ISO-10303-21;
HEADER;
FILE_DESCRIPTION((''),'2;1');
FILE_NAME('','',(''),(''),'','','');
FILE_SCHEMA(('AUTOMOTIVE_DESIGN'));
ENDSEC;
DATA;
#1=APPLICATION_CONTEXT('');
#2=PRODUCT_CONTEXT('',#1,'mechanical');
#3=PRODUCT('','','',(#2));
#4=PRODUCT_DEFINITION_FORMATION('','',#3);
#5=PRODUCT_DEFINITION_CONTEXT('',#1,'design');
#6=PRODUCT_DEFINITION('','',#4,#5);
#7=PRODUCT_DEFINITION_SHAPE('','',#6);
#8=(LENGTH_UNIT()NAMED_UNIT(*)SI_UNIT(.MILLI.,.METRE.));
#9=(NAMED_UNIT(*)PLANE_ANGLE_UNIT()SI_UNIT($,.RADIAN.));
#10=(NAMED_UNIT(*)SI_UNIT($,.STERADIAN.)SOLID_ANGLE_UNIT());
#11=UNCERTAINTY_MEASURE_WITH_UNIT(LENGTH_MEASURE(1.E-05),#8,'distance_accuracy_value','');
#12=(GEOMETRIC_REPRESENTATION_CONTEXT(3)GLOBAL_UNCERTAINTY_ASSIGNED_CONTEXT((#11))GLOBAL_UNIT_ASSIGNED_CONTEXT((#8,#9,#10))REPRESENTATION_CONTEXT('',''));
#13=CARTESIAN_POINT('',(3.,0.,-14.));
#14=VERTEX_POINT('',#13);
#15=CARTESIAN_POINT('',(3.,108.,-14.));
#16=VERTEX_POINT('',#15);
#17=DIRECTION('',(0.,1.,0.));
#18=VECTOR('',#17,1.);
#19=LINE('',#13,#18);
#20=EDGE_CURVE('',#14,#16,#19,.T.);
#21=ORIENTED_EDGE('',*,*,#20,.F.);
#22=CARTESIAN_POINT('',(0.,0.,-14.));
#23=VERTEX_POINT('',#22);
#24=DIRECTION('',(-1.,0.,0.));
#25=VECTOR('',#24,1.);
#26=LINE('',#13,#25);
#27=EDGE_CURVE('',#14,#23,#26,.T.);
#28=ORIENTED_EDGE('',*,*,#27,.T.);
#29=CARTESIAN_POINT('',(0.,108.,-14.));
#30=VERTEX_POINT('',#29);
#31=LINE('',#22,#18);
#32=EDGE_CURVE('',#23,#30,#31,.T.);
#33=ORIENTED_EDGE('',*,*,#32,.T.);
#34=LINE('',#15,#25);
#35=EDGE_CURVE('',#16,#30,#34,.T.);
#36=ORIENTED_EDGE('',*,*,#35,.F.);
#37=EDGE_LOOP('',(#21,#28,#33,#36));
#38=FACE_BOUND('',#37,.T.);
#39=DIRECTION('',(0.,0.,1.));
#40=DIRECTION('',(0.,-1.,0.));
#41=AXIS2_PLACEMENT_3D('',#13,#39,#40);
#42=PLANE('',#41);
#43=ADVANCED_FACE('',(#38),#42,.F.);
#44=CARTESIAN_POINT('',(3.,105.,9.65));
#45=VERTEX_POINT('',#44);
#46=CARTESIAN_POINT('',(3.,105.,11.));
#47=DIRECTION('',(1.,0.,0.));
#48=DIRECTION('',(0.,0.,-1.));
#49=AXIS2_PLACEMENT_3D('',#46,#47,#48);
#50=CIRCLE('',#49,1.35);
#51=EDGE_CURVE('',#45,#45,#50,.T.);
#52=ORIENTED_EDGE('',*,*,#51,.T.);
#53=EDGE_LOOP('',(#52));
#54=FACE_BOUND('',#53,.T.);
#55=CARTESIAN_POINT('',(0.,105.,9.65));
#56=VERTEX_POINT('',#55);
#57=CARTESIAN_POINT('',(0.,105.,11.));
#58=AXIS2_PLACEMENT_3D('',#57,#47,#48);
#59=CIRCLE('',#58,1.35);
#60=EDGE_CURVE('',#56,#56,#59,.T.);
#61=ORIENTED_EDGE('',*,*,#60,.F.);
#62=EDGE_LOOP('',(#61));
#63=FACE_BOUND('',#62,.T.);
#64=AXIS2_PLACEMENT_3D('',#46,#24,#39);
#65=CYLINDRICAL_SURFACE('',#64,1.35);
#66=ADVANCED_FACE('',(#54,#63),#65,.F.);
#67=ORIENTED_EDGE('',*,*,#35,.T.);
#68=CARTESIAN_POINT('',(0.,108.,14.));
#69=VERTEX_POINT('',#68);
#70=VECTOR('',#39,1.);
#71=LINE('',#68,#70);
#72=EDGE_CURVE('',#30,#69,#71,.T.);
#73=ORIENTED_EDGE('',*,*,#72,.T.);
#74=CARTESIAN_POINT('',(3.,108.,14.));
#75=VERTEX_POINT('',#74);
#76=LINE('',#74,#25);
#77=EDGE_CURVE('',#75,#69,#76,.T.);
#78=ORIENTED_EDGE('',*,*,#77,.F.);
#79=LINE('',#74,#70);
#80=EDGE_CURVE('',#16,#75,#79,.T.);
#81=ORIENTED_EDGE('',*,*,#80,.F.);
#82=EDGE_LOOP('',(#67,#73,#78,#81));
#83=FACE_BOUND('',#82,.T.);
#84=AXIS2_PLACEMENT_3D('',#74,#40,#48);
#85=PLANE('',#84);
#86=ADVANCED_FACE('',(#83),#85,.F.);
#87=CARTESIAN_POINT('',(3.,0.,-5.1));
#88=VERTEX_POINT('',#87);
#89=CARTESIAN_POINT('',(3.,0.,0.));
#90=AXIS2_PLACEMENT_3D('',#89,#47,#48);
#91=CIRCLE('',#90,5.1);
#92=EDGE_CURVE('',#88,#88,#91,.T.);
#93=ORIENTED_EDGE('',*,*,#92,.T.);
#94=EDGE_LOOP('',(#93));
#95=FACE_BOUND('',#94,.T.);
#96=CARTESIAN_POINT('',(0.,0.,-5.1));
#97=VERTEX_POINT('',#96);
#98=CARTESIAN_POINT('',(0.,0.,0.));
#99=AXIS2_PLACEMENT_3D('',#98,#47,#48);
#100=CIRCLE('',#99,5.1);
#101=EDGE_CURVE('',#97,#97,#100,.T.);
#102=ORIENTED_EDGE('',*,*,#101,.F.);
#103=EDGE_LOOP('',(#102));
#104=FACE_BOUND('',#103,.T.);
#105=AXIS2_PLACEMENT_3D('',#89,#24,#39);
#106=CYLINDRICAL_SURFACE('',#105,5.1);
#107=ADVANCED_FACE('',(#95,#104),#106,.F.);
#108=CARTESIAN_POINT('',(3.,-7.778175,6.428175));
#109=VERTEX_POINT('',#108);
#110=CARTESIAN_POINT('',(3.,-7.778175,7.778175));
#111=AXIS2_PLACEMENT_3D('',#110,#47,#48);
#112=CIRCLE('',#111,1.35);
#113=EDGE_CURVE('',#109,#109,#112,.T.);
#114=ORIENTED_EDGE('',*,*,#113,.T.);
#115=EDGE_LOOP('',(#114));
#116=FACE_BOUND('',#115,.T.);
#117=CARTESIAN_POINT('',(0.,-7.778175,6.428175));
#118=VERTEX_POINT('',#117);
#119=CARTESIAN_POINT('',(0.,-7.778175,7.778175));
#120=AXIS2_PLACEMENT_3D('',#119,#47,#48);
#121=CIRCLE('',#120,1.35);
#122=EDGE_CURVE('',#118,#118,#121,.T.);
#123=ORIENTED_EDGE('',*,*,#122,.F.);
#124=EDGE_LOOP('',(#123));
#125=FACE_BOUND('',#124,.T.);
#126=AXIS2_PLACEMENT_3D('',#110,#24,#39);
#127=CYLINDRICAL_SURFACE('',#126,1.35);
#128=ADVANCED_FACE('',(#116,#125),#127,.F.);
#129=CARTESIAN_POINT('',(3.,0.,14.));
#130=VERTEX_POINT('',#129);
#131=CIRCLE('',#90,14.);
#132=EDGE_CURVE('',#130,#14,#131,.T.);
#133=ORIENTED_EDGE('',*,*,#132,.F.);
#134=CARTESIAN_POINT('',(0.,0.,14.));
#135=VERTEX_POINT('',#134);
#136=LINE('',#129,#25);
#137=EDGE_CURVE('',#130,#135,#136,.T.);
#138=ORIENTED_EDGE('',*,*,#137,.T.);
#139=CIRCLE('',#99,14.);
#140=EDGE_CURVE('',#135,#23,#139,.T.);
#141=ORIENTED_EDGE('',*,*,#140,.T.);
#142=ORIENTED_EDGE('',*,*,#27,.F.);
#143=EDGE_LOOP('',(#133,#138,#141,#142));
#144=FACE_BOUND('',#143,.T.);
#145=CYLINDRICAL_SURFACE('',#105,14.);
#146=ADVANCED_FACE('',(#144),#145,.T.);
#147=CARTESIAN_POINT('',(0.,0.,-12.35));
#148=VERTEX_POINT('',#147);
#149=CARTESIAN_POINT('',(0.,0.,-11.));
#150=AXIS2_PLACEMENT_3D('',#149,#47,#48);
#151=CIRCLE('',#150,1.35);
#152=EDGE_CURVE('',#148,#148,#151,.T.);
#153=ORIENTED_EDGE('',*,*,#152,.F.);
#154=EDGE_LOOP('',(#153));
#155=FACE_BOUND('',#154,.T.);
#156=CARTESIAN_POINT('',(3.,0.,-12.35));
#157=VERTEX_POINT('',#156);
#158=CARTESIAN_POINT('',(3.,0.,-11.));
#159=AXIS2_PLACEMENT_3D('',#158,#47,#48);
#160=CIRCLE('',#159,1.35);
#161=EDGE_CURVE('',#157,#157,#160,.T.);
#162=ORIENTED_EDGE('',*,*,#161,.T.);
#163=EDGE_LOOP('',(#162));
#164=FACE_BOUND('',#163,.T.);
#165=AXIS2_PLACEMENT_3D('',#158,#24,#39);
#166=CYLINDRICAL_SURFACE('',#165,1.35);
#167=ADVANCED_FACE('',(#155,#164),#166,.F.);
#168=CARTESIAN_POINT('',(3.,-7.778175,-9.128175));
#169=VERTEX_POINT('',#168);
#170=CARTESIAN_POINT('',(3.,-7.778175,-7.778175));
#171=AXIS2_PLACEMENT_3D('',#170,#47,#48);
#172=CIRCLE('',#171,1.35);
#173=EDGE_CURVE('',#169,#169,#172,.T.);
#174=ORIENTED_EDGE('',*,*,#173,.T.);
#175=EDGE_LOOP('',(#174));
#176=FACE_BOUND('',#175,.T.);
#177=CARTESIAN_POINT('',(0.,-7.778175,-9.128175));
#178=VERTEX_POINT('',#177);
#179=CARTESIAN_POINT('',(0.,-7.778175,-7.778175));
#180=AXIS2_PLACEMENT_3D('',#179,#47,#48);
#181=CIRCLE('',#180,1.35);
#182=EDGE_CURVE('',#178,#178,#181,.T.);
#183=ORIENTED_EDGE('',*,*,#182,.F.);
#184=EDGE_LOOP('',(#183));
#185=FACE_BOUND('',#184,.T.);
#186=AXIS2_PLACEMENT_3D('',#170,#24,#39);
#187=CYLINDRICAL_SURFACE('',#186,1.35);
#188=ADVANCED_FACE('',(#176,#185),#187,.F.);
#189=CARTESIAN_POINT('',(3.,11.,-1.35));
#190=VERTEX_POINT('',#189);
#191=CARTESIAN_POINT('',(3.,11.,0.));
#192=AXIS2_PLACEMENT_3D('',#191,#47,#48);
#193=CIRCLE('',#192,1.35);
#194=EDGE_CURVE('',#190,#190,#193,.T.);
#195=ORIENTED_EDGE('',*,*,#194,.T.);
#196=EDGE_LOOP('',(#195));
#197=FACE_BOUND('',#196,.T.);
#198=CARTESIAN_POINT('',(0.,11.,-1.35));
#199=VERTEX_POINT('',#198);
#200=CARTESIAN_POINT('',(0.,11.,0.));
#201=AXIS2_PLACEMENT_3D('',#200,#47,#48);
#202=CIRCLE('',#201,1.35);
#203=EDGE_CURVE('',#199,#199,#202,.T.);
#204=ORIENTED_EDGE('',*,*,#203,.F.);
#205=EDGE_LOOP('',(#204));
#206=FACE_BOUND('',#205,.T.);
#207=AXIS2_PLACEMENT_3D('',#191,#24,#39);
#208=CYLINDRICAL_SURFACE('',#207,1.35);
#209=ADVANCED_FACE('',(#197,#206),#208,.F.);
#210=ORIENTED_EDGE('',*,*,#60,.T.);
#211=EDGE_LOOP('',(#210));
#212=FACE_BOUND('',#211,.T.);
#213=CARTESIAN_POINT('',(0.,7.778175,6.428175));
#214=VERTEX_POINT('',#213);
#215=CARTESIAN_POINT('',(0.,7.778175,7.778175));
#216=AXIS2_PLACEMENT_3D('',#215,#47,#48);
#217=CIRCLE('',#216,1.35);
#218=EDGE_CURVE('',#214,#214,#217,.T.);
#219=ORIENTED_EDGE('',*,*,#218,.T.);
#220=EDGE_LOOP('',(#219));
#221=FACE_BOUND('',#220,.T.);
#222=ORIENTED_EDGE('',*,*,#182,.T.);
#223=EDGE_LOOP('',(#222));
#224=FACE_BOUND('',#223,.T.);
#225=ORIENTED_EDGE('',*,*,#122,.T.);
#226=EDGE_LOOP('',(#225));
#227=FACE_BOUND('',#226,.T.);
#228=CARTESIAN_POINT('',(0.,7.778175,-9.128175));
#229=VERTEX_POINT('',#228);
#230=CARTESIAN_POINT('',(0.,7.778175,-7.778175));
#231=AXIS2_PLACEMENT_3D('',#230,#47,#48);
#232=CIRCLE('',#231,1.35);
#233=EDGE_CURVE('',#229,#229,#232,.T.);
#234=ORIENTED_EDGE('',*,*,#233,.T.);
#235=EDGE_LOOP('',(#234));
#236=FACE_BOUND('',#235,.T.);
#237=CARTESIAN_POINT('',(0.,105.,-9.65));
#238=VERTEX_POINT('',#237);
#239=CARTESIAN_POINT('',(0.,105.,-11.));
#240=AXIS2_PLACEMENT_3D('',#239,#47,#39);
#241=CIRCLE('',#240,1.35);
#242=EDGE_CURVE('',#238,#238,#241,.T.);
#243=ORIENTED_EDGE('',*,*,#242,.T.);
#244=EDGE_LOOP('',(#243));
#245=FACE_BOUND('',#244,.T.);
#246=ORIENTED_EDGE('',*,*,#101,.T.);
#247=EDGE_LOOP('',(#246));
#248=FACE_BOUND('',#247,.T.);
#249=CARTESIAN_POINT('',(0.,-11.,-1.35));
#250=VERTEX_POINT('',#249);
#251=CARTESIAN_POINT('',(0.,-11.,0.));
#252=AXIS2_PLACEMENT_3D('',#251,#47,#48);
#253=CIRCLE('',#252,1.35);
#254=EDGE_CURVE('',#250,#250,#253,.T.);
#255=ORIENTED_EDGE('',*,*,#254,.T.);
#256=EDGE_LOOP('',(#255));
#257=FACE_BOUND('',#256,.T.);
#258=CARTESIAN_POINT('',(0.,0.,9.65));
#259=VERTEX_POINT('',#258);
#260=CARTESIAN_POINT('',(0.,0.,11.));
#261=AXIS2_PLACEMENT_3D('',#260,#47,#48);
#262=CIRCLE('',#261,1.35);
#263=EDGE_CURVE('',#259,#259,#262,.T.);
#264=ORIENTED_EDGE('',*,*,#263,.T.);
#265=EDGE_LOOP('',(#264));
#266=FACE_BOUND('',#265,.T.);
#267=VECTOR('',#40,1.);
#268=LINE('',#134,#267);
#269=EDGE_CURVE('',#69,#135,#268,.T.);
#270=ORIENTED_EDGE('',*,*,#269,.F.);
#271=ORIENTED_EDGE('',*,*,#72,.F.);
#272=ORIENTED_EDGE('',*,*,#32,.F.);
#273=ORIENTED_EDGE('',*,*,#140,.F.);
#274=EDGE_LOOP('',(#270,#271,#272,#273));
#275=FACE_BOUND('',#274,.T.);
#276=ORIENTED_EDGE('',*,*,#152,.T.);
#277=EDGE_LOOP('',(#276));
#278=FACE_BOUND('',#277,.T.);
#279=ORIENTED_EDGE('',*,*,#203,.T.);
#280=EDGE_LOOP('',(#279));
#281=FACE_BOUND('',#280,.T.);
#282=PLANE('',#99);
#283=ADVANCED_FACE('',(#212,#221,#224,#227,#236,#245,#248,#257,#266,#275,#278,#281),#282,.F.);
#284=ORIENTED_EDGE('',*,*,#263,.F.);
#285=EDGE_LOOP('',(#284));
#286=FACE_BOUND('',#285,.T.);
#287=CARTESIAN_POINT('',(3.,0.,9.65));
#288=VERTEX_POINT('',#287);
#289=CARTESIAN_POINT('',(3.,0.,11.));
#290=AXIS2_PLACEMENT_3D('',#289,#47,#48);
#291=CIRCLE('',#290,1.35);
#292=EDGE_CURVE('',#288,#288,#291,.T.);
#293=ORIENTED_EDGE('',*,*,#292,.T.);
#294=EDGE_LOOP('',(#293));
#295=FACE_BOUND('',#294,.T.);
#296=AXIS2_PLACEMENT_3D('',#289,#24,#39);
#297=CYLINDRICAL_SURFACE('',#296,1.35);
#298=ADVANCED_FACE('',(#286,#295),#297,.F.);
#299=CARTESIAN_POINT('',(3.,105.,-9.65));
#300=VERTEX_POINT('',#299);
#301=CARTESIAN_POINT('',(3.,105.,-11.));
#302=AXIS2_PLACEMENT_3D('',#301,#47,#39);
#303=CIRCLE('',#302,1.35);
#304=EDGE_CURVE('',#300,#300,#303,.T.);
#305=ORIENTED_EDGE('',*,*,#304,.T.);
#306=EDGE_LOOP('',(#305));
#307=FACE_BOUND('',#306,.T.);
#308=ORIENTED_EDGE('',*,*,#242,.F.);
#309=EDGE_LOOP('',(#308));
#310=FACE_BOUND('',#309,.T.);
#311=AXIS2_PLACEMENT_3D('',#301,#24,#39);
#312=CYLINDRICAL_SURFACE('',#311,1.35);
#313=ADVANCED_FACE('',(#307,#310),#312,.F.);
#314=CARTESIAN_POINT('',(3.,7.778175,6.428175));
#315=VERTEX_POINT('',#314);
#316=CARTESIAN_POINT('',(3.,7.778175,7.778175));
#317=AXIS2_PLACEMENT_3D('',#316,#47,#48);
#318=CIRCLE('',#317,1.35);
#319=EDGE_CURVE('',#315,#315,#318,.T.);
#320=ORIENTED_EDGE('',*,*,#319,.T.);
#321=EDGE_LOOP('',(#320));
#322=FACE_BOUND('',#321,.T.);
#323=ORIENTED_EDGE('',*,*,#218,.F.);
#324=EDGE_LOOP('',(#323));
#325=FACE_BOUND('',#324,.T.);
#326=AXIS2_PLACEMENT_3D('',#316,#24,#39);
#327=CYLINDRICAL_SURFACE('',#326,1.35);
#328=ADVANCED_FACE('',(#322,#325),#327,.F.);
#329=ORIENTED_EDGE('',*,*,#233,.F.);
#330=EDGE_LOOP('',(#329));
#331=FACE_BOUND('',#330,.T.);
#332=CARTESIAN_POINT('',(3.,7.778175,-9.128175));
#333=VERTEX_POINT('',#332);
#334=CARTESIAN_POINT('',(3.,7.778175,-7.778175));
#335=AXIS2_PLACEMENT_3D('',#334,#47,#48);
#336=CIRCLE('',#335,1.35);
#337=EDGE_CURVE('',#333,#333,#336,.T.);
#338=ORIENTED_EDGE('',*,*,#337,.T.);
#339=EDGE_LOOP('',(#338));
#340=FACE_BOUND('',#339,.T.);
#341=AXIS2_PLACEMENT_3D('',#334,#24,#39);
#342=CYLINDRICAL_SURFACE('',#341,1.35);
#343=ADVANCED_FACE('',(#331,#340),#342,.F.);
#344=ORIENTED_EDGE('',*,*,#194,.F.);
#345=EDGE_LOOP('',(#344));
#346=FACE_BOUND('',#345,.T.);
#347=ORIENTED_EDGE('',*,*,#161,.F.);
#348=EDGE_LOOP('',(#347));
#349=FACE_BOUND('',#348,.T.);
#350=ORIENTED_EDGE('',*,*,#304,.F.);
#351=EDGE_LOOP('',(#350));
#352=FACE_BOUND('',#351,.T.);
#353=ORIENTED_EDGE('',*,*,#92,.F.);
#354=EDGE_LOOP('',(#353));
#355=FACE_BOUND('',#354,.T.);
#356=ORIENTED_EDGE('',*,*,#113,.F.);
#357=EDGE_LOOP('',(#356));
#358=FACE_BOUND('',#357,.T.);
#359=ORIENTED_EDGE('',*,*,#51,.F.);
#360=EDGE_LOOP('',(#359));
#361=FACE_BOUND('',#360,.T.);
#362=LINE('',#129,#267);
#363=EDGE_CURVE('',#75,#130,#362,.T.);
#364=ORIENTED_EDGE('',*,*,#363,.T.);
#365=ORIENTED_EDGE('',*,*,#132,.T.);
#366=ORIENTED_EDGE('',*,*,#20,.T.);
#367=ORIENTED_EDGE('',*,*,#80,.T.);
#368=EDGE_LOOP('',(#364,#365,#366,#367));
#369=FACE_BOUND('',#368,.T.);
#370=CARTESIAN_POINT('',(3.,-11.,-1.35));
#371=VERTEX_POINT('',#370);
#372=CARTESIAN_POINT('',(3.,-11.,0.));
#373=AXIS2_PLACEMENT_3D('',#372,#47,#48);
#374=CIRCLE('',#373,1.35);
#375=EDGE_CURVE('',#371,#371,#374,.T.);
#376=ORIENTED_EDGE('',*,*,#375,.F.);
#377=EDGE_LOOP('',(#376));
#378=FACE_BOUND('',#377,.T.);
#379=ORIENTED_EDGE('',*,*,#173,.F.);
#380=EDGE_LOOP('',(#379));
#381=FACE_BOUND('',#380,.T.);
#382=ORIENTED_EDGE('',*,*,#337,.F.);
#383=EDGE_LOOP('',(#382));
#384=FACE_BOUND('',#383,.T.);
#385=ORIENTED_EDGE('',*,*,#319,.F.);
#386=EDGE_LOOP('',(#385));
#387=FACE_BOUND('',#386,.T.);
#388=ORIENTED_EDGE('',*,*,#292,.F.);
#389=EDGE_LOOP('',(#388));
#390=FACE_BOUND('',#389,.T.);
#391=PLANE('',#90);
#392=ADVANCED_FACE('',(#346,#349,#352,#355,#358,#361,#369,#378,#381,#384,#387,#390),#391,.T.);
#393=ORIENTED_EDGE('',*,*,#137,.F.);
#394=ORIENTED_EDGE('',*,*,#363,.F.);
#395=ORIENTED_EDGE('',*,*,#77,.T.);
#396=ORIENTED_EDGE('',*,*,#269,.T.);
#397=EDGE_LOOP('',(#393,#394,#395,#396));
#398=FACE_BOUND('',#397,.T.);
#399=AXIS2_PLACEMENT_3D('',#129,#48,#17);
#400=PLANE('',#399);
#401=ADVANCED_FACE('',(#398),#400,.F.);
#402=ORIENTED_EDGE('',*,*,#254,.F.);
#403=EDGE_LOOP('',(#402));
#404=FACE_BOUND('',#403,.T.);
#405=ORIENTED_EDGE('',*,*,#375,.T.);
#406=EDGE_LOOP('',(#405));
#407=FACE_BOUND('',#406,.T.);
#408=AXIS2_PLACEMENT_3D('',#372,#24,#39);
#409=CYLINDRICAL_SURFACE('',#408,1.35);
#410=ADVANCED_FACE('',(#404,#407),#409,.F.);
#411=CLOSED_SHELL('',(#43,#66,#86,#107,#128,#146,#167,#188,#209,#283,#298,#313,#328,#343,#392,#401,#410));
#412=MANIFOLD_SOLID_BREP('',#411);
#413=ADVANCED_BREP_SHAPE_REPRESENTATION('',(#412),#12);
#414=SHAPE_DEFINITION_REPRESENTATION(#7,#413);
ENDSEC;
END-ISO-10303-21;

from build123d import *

# Parameters (mm, degrees)
SKETCH_1_R      = 1.35
SKETCH_1_R_2    = 5.1
EXTRUDE_1_DEPTH = 3


with BuildPart() as part:
    # 草图1 → 凸台-拉伸1 (new body)
    with BuildSketch(Plane(origin=(0, 0, 0), x_dir=(0, 0, -1), z_dir=(1, 0, 0))):
        with BuildLine():
            Line((-14, 0), (-14, 108))
            Line((-14, 108), (14, 108))
            Line((14, 108), (14, 0))
            ThreePointArc((14, 0), (0, -14), (-14, 0))
        make_face()
        with Locations((0, -11)):
            Circle(SKETCH_1_R, mode=Mode.SUBTRACT)
        with Locations((-7.778174593, -7.778174593)):
            Circle(SKETCH_1_R, mode=Mode.SUBTRACT)
        with Locations((-11, 0)):
            Circle(SKETCH_1_R, mode=Mode.SUBTRACT)
        with Locations((-7.778174593, 7.778174593)):
            Circle(SKETCH_1_R, mode=Mode.SUBTRACT)
        with Locations((0, 11)):
            Circle(SKETCH_1_R, mode=Mode.SUBTRACT)
        with Locations((7.778174593, 7.778174593)):
            Circle(SKETCH_1_R, mode=Mode.SUBTRACT)
        with Locations((11, 0)):
            Circle(SKETCH_1_R, mode=Mode.SUBTRACT)
        with Locations((7.778174593, -7.778174593)):
            Circle(SKETCH_1_R, mode=Mode.SUBTRACT)
        Circle(SKETCH_1_R_2, mode=Mode.SUBTRACT)
        with Locations((-11, 105)):
            Circle(SKETCH_1_R, mode=Mode.SUBTRACT)
        with Locations(Location((11, 105, 0), (0, 0, 180))):
            Circle(SKETCH_1_R, mode=Mode.SUBTRACT)
    extrude(amount=EXTRUDE_1_DEPTH)


solid = part.part
